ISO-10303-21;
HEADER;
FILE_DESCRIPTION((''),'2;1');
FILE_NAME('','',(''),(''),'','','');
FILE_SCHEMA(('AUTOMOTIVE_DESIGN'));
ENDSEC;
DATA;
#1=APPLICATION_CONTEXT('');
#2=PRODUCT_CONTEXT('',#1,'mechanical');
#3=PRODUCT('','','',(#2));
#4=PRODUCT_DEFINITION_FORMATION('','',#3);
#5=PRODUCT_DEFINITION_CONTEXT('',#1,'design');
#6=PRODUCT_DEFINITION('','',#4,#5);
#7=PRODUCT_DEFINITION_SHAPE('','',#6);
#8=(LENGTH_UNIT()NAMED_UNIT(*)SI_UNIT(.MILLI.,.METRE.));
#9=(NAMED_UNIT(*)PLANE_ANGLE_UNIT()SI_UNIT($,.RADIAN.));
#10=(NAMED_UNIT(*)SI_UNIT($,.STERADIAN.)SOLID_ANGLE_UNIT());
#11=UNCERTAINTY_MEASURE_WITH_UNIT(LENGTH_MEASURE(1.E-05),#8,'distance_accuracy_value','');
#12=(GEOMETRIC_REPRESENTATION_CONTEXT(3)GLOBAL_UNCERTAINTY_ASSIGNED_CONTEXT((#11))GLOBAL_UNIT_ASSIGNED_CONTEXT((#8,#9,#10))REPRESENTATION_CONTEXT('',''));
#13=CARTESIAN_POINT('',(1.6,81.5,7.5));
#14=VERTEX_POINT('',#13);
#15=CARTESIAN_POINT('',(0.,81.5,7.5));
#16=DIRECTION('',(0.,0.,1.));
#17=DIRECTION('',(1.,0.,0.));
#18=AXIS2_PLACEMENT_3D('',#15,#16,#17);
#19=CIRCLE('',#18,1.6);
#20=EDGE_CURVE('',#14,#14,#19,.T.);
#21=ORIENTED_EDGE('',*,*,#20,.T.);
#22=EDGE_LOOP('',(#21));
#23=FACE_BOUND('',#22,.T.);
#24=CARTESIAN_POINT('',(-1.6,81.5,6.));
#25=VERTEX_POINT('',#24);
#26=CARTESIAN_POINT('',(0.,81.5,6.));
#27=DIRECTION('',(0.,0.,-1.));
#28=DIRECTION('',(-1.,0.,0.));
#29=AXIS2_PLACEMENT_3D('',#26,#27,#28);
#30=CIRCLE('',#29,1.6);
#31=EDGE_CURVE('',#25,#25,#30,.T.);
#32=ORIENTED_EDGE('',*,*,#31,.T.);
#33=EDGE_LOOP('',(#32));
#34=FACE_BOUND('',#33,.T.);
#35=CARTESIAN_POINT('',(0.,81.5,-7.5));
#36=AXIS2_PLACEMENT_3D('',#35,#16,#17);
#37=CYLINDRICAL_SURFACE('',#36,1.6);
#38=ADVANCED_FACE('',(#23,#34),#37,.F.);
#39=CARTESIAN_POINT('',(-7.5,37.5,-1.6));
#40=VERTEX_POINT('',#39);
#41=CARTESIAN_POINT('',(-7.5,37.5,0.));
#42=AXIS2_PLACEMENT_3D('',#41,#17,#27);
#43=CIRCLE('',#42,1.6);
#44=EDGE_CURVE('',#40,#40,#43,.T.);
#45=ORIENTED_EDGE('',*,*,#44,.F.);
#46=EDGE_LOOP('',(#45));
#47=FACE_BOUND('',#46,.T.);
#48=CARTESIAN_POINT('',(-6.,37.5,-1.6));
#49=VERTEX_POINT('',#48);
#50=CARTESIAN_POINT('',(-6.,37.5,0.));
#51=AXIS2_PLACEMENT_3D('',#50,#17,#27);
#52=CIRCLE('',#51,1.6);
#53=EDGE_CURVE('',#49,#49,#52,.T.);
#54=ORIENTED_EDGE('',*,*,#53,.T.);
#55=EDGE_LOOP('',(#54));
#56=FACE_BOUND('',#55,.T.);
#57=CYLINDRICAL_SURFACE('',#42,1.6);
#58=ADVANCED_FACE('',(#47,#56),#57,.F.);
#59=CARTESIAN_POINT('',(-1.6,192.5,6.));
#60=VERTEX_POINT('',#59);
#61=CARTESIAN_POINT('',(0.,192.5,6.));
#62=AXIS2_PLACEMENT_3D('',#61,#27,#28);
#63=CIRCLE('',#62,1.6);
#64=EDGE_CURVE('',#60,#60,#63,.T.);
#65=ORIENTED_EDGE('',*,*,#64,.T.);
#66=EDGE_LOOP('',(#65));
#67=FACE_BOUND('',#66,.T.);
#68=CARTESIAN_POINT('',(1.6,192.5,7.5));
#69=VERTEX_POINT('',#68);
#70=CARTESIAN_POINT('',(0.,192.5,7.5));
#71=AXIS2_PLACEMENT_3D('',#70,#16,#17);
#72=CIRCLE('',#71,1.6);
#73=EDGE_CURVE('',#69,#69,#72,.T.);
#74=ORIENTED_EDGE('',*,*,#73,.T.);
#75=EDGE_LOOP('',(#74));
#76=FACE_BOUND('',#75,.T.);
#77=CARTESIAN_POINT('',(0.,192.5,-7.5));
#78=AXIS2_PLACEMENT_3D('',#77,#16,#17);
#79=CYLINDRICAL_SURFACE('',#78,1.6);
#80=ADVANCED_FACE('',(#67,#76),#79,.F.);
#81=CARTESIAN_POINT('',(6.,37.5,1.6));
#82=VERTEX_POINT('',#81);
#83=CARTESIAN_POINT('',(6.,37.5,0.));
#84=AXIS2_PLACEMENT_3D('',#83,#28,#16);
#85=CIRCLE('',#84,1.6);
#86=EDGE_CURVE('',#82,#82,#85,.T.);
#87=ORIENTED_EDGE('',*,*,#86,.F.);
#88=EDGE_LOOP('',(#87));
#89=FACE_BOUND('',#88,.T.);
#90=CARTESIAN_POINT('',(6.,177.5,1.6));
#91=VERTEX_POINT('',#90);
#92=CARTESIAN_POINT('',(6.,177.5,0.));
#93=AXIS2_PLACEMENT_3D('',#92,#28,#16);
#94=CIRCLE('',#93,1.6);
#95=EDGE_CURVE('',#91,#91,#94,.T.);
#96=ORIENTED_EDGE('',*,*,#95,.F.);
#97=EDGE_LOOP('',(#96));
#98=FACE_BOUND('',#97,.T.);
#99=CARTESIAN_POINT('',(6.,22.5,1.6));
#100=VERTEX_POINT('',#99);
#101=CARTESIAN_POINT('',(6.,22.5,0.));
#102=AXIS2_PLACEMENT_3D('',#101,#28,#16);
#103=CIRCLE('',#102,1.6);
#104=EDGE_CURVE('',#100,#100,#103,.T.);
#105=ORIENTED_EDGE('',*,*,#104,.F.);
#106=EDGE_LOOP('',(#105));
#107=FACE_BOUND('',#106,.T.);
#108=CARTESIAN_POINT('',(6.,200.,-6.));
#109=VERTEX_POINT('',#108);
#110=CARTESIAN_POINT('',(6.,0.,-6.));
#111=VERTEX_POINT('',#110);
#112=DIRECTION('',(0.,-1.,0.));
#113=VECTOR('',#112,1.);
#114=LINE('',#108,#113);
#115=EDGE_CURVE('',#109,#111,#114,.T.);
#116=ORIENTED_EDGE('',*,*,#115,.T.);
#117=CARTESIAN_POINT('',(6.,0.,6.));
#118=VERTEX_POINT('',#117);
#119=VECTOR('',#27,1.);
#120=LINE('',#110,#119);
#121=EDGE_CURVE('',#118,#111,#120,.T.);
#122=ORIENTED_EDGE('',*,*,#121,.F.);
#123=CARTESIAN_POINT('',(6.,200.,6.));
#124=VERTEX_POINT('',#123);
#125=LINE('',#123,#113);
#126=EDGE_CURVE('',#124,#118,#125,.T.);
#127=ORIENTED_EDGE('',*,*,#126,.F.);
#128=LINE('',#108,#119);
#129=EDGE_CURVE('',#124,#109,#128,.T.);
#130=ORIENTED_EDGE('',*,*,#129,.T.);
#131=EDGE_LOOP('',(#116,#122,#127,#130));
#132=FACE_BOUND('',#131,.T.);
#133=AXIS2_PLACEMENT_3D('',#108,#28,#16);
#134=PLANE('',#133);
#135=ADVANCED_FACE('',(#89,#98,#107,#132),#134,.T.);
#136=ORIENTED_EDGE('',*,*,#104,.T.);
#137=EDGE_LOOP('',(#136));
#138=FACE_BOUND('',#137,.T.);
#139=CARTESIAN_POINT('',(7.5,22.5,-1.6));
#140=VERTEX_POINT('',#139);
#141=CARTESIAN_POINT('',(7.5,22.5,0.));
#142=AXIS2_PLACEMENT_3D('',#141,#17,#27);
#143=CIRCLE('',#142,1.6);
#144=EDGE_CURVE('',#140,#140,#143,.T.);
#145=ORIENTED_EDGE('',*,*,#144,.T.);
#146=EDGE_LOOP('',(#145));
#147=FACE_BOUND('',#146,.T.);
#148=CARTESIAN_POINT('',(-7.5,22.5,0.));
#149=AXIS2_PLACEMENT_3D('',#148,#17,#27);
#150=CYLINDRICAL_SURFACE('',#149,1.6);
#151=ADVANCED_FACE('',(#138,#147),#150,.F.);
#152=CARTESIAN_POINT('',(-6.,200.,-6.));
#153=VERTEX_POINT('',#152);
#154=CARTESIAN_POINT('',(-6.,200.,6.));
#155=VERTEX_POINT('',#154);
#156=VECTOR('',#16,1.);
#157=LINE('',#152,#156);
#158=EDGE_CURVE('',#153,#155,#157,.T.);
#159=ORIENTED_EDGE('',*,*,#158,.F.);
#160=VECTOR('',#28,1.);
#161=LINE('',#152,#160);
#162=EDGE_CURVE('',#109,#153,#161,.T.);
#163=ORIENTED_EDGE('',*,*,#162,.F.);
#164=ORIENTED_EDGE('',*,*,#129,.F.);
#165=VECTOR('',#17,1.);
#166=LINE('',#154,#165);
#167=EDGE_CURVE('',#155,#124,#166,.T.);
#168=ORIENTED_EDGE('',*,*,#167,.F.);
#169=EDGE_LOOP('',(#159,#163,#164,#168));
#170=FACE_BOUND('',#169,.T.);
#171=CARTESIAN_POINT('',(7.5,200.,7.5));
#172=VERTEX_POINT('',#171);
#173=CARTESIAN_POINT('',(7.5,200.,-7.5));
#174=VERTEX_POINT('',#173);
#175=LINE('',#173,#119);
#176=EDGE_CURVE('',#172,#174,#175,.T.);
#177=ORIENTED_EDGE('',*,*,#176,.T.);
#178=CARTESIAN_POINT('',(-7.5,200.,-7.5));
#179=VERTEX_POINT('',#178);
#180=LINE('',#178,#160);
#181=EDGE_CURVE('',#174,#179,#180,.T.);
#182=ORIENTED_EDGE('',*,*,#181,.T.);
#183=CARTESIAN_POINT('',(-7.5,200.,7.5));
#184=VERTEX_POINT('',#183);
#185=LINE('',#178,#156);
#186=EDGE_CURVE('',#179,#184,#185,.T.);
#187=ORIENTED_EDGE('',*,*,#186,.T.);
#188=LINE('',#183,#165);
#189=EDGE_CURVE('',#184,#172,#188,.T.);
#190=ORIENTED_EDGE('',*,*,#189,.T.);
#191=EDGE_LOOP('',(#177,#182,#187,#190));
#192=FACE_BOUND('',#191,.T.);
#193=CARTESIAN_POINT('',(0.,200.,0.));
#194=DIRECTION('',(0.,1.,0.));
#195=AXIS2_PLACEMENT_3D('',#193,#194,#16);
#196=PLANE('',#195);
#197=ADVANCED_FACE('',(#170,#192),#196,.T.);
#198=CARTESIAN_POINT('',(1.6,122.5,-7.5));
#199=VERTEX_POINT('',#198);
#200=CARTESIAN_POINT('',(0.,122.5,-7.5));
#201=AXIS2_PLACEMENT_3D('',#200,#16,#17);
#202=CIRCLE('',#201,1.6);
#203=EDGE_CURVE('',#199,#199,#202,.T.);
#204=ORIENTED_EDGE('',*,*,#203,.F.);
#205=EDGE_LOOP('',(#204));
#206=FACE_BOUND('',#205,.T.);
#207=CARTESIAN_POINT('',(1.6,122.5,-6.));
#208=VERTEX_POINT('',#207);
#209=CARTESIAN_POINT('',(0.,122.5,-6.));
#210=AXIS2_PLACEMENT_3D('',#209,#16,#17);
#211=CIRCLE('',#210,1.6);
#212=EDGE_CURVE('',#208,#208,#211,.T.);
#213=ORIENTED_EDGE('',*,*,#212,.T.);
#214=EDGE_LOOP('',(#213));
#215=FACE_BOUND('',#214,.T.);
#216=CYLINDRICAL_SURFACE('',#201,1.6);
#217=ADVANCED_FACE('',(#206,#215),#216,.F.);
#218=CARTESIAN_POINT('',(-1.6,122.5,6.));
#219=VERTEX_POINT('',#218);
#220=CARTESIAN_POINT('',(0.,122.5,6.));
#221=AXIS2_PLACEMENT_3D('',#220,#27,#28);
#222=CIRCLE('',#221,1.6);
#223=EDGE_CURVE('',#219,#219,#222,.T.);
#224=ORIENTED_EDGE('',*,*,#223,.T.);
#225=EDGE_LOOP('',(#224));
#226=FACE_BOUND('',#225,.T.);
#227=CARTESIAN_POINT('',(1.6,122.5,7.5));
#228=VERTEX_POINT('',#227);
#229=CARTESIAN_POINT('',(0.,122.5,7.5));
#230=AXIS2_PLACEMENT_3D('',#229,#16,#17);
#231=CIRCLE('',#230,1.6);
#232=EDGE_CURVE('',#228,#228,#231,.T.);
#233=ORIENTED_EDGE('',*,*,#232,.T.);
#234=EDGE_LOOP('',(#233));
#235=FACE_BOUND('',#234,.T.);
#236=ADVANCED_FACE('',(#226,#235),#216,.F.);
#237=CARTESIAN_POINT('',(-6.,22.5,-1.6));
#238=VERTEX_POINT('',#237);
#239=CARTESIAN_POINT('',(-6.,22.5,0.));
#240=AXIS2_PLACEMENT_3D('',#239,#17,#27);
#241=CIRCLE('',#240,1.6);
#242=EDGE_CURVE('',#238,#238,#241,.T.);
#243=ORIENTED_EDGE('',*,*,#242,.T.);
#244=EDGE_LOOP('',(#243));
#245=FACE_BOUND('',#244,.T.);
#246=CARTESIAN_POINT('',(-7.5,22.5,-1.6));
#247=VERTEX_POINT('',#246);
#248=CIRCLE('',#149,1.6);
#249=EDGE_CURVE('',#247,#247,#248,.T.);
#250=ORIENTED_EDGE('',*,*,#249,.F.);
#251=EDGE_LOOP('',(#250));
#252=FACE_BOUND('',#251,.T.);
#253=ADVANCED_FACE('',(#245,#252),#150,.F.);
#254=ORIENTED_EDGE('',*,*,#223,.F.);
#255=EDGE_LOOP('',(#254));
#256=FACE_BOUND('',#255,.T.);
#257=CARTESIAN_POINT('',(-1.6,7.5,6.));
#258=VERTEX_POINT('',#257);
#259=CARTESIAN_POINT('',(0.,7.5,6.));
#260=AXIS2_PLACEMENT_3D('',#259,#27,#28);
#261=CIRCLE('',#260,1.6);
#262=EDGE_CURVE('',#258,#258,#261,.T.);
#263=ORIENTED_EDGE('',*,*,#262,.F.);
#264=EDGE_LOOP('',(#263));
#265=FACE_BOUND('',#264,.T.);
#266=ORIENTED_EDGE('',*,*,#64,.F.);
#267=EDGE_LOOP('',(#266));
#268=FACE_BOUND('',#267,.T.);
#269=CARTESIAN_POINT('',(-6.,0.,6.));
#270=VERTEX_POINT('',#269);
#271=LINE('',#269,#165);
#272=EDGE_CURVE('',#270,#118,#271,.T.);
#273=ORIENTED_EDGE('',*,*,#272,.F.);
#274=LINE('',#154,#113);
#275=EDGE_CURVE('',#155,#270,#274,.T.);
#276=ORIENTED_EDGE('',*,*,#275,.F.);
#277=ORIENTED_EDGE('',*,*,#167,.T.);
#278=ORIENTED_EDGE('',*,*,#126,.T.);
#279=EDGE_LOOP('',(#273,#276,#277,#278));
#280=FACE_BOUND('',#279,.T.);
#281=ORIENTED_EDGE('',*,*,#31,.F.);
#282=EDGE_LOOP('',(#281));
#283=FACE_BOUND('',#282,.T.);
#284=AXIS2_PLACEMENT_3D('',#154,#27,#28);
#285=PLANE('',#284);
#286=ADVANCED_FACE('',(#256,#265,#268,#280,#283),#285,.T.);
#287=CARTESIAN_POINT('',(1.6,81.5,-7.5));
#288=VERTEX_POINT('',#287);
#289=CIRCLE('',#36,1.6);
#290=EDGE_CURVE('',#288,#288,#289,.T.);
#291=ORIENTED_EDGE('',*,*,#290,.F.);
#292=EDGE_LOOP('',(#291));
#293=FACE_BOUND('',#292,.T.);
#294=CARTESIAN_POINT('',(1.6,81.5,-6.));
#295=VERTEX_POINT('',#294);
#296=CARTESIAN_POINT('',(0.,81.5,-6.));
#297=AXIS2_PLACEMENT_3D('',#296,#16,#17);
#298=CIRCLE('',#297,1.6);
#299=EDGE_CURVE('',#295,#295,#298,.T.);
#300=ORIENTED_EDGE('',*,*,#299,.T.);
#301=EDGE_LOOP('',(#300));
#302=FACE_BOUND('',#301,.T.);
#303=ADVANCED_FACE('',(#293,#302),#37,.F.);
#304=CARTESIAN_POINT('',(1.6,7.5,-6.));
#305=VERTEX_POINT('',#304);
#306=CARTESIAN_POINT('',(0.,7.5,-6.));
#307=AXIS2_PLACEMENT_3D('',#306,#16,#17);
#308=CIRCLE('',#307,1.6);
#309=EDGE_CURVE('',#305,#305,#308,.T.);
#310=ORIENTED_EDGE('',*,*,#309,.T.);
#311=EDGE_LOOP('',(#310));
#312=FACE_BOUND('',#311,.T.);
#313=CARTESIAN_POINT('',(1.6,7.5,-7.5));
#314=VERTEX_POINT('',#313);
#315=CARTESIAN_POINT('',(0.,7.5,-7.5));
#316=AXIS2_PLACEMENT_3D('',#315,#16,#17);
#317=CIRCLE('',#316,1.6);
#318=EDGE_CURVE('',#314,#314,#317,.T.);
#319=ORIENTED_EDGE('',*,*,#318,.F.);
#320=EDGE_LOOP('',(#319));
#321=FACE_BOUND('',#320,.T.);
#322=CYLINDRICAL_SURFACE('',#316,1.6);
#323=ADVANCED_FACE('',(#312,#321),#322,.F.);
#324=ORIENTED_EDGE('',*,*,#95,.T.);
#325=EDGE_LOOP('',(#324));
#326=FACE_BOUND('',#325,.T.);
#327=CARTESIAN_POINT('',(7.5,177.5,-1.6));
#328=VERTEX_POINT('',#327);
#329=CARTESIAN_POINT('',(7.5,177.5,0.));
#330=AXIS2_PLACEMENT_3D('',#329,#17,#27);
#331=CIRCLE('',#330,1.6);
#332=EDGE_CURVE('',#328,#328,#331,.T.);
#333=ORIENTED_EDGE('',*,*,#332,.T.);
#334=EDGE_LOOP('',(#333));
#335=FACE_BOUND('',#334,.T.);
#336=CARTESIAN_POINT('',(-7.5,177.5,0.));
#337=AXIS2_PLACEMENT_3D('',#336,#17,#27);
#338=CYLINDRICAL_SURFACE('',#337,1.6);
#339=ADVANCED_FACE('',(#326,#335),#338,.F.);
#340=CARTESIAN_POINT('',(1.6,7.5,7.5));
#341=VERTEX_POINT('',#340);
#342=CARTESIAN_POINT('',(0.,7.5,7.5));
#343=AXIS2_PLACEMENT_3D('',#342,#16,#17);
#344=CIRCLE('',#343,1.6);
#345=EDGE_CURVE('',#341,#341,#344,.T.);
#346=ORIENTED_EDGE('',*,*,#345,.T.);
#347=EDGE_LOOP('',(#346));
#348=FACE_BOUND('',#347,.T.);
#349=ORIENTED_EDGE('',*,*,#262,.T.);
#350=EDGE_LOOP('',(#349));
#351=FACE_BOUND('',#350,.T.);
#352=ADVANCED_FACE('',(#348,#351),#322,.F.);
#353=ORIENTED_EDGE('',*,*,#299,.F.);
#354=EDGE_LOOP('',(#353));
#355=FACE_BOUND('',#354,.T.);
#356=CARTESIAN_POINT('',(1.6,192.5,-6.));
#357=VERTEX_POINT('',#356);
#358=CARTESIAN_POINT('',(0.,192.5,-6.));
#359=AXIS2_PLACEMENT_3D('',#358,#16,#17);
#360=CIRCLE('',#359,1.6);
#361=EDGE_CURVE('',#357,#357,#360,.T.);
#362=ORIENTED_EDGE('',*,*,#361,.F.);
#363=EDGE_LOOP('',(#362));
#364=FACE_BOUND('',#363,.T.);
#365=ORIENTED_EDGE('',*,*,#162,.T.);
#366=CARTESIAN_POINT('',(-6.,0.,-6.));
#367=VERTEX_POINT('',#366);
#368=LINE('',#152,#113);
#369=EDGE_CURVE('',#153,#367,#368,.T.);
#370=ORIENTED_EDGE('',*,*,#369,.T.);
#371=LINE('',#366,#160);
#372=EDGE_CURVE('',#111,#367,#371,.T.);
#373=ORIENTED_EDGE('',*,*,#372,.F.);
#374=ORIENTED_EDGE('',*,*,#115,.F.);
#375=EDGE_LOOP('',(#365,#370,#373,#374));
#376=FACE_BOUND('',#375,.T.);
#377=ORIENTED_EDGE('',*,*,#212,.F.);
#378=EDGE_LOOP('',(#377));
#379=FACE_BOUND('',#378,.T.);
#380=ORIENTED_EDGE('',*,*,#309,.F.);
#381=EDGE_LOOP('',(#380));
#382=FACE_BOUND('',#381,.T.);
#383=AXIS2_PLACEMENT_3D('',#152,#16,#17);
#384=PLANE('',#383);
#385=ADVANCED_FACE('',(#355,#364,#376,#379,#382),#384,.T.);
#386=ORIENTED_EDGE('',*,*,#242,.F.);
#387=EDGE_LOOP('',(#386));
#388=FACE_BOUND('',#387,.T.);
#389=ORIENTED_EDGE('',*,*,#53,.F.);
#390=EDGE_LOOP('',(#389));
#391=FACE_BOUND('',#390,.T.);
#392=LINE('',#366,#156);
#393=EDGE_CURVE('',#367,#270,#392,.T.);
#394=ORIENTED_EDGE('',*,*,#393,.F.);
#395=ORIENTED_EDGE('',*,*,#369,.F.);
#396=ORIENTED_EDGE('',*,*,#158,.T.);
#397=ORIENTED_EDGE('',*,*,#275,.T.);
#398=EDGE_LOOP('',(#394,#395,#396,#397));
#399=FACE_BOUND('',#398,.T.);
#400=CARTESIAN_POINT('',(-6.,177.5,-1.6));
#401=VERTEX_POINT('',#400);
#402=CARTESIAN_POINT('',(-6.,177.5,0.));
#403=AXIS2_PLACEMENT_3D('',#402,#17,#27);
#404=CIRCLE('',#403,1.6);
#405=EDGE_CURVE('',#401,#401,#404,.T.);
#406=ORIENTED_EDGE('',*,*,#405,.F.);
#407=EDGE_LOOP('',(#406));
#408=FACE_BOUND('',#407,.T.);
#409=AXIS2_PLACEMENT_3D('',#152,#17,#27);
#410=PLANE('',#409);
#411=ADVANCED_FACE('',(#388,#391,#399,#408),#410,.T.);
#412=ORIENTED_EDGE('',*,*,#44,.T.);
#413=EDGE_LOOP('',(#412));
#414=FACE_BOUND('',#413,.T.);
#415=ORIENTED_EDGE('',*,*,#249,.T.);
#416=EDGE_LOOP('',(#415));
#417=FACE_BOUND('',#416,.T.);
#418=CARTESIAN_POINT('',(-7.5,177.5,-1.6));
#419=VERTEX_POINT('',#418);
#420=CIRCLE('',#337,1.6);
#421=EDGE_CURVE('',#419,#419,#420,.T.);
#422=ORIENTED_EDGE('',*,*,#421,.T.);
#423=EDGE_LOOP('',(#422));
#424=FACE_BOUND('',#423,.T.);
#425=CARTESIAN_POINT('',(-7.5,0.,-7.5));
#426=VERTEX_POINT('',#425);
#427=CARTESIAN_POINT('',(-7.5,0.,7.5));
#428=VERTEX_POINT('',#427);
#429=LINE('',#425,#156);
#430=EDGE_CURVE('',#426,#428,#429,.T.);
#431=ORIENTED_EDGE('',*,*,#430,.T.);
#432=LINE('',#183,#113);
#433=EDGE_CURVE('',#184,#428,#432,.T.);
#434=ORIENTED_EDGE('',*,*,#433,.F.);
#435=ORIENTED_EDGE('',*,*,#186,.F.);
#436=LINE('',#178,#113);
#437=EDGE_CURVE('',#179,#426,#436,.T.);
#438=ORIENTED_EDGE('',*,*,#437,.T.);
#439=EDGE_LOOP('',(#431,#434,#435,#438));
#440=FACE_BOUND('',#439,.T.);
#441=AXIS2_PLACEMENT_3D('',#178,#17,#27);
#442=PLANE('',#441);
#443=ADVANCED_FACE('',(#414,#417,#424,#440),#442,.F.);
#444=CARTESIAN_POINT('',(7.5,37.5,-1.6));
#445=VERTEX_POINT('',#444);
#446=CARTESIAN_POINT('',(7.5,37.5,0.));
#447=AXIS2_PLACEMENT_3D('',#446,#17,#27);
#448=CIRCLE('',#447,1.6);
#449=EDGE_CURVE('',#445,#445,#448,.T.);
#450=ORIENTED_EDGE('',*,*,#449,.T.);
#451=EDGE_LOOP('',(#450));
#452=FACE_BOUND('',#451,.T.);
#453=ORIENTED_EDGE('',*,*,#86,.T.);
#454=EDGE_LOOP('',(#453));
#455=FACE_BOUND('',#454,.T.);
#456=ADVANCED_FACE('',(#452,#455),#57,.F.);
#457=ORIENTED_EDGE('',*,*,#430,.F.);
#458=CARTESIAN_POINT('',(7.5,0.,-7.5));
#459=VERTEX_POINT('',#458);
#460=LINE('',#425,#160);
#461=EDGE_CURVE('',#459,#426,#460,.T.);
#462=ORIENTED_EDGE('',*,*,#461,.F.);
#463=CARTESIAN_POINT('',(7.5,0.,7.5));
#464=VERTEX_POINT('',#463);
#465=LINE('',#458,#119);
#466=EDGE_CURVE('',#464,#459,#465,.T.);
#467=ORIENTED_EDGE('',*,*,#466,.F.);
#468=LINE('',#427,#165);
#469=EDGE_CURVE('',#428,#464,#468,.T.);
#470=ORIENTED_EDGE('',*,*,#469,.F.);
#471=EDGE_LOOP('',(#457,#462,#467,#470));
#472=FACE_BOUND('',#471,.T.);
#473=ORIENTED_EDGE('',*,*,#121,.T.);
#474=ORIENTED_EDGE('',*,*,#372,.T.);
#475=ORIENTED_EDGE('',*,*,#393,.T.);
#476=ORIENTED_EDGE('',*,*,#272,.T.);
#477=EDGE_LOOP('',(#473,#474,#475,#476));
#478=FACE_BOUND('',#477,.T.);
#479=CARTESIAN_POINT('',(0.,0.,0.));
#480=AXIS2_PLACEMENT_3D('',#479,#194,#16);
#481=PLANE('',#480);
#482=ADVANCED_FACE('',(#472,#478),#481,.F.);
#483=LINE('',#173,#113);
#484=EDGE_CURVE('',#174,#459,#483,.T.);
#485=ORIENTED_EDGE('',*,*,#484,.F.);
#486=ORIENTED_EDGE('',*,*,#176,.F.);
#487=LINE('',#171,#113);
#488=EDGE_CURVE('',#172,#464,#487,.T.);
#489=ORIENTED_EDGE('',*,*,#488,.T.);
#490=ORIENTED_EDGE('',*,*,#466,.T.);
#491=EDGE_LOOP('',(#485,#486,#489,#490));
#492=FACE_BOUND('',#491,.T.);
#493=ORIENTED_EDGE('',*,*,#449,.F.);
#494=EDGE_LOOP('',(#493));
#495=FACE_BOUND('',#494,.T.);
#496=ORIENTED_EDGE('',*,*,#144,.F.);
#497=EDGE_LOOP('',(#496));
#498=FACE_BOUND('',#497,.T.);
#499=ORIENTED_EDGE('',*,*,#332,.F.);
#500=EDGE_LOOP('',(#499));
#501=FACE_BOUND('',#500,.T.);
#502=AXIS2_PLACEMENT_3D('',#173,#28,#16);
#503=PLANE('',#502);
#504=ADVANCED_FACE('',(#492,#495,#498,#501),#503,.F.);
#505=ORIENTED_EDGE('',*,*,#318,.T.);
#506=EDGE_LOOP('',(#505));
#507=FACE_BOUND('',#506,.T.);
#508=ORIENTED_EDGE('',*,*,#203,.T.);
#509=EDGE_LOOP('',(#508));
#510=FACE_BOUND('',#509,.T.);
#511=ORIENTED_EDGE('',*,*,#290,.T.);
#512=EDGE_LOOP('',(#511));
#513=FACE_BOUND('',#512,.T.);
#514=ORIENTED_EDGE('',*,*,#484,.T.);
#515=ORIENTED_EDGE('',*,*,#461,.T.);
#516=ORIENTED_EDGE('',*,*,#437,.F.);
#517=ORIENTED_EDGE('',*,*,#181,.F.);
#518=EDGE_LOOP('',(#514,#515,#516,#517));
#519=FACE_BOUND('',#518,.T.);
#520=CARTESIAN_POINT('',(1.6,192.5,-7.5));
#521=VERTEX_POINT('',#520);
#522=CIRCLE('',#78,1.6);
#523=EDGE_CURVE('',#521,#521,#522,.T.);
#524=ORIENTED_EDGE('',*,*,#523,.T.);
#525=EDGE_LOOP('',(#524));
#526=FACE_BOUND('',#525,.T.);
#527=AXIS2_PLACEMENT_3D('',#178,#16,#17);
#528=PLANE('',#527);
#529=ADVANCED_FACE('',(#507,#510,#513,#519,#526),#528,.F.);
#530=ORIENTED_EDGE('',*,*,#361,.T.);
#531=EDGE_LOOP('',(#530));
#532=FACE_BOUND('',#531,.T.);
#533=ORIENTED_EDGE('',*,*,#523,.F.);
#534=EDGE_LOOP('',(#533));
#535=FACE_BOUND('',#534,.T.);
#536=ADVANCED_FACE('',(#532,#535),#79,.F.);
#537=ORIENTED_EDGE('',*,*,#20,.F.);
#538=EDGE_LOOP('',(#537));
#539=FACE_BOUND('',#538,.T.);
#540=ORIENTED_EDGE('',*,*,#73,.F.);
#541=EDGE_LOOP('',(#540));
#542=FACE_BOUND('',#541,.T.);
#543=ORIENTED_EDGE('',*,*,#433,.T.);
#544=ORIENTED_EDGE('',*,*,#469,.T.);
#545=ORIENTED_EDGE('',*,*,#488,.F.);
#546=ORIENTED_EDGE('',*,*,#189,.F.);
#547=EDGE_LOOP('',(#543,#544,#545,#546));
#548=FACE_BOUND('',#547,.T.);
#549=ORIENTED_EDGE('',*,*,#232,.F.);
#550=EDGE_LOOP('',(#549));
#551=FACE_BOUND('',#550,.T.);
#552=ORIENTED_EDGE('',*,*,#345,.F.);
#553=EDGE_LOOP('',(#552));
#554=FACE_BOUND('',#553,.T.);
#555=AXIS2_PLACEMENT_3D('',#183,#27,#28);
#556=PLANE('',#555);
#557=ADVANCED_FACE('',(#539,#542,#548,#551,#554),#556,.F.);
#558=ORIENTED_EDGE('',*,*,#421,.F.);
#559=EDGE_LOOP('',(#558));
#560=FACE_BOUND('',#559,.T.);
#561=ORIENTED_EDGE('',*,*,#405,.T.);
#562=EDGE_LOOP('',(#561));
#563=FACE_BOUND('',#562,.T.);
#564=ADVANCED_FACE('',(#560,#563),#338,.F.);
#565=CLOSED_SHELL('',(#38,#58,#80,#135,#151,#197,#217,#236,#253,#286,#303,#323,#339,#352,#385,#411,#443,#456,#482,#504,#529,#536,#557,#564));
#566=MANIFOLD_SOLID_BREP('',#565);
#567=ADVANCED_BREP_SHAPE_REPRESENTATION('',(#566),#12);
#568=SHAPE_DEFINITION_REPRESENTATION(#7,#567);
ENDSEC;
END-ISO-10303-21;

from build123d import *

# Parameters (mm, degrees)
SKETCH_1_W          = 15
SKETCH_1_H          = 15
SKETCH_1_W_2        = 12
SKETCH_1_H_2        = 12
EXTRUDE_1_DEPTH     = 200
SKETCH_2_R          = 1.6
CUT_EXTRUDE_1_DEPTH = 201.701893364
SKETCH_3_R          = 1.6
CUT_EXTRUDE_2_DEPTH = 201.701893364


with BuildPart() as part:
    # ｽｹｯﾁ1 → ﾎﾞｽ - 押し出し1 (new body)
    with BuildSketch(Plane(origin=(0, 0, 0), x_dir=(1, 0, 0), z_dir=(0, 1, 0))):
        Rectangle(SKETCH_1_W, SKETCH_1_H)
        Rectangle(SKETCH_1_W_2, SKETCH_1_H_2, mode=Mode.SUBTRACT)
    extrude(amount=EXTRUDE_1_DEPTH)

    # ｽｹｯﾁ2 → ｶｯﾄ - 押し出し1 (cut, through all)
    with BuildSketch(Plane.XY.offset(7.5)):
        with Locations((0, 192.5)):
            Circle(SKETCH_2_R)
        with Locations((0, 7.5)):
            Circle(SKETCH_2_R)
        with Locations((0, 122.5)):
            Circle(SKETCH_2_R)
        with Locations((0, 81.5)):
            Circle(SKETCH_2_R)
    extrude(amount=-CUT_EXTRUDE_1_DEPTH, mode=Mode.SUBTRACT)

    # ｽｹｯﾁ3 → ｶｯﾄ - 押し出し2 (cut, through all)
    with BuildSketch(Plane(origin=(7.5, 0, 0), x_dir=(0, 0, -1), z_dir=(1, 0, 0))):
        with Locations((0, 177.5)):
            Circle(SKETCH_3_R)
        with Locations((0, 22.5)):
            Circle(SKETCH_3_R)
        with Locations((0, 37.5)):
            Circle(SKETCH_3_R)
    extrude(amount=-CUT_EXTRUDE_2_DEPTH, mode=Mode.SUBTRACT)


solid = part.part
